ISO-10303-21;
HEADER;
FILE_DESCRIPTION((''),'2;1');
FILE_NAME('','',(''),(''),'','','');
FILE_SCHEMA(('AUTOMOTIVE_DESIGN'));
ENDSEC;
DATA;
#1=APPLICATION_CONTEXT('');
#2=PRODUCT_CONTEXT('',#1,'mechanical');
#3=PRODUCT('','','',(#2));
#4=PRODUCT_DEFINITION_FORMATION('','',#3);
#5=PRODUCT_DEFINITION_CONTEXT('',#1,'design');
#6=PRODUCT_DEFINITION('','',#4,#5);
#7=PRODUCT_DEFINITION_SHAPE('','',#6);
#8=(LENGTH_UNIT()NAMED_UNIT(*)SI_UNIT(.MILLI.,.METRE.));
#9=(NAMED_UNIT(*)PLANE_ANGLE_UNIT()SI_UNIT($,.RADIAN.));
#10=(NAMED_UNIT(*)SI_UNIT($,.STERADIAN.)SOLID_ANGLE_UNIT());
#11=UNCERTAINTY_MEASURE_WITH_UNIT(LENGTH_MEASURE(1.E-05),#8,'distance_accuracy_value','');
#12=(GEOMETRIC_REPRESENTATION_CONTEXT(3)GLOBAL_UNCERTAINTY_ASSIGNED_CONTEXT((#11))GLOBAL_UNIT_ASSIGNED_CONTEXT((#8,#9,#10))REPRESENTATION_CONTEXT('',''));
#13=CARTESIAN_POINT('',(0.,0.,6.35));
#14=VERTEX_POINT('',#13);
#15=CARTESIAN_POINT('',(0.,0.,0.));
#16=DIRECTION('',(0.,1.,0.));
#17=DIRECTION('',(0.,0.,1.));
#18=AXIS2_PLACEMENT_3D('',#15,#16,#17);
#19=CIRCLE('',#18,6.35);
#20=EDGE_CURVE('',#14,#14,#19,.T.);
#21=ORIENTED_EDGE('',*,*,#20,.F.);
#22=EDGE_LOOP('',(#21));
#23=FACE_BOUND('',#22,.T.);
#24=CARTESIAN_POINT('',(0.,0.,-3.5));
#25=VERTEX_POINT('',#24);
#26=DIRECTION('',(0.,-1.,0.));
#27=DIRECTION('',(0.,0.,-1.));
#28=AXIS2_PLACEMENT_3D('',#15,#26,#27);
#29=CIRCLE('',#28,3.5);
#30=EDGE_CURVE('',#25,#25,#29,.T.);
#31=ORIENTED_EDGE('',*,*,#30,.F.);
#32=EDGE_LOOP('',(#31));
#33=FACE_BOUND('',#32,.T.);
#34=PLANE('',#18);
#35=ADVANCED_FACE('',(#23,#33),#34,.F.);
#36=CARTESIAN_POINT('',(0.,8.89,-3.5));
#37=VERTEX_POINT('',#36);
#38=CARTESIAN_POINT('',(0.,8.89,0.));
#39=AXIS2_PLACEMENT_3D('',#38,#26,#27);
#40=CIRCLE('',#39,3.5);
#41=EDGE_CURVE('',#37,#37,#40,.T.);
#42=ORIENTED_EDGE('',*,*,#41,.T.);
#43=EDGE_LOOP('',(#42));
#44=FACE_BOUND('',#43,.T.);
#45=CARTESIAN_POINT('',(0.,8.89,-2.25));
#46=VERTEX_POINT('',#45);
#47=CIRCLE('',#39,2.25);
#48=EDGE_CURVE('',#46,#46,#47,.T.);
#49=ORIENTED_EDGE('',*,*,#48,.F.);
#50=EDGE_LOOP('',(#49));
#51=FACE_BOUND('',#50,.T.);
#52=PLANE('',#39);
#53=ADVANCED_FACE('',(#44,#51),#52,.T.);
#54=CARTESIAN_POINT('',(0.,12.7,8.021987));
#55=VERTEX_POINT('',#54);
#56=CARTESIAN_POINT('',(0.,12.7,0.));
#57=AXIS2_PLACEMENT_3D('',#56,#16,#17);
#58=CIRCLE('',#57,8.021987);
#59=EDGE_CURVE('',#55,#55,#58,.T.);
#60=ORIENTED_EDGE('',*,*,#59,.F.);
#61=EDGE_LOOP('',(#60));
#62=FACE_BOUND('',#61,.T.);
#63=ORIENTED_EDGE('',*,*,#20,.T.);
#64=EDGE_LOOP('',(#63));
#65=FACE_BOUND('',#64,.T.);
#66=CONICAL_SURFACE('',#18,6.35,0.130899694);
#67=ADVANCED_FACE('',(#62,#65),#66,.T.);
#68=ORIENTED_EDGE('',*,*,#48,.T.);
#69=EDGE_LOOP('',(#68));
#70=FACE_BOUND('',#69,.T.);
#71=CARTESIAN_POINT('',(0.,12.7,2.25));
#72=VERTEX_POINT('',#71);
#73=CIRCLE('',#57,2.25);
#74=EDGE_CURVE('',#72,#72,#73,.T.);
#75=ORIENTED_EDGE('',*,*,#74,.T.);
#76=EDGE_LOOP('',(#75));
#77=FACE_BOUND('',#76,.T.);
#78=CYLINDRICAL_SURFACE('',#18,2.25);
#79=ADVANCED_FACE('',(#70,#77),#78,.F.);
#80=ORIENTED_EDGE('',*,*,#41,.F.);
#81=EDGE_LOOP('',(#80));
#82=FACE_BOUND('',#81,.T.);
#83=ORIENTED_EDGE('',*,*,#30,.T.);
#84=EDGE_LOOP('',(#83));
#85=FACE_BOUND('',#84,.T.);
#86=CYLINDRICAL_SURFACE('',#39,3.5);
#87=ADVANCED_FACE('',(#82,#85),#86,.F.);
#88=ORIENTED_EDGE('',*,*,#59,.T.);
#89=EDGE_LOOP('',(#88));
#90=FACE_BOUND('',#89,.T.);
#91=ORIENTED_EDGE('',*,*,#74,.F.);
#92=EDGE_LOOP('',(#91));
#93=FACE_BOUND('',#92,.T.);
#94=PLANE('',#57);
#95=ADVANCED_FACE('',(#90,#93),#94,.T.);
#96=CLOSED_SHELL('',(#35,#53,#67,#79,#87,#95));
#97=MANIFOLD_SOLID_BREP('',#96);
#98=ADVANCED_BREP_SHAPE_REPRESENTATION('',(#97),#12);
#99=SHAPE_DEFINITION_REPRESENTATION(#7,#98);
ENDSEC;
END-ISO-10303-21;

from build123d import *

# Parameters (mm, degrees)
SKETCH1_R           = 6.35
BOSS_EXTRUDE1_DEPTH = 12.7
BOSS_EXTRUDE1_DRAFT = -7.5
SKETCH2_R           = 3.5
CUT_EXTRUDE1_DEPTH  = 8.89
SKETCH3_R           = 2.25
CUT_EXTRUDE2_DEPTH  = 18.029226108


with BuildPart() as part:
    # Sketch1 → Boss-Extrude1 (with draft: the straight prism first)
    with BuildSketch(Plane(origin=(0, 0, 0), x_dir=(1, 0, 0), z_dir=(0, 1, 0))):
        Circle(SKETCH1_R)
    extrude(amount=BOSS_EXTRUDE1_DEPTH)
    # Boss-Extrude1: the draft: its side faces are tilted about the plane it starts from
    boss_extrude1_sides = [part.faces().sort_by_distance(p)[0] for p in [
        (-6.35, 6.35, 0),
    ]]
    draft(boss_extrude1_sides, Plane(origin=(0, 0, 0), x_dir=(1, 0, 0), z_dir=(0, 1, 0)), BOSS_EXTRUDE1_DRAFT)

    # Sketch2 → Cut-Extrude1 (cut)
    with BuildSketch(Plane.XZ):
        with Locations(Location((0, 0, 0), (0, 0, 270))):
            Circle(SKETCH2_R)
    extrude(amount=-CUT_EXTRUDE1_DEPTH, mode=Mode.SUBTRACT)

    # Sketch3 → Cut-Extrude2 (cut, through all)
    with BuildSketch(Plane(origin=(0, 12.7, 0), x_dir=(1, 0, 0), z_dir=(0, 1, 0))):
        with Locations(Location((0, 0, 0), (0, 0, 270))):
            Circle(SKETCH3_R)
    extrude(amount=-CUT_EXTRUDE2_DEPTH, mode=Mode.SUBTRACT)


solid = part.part
